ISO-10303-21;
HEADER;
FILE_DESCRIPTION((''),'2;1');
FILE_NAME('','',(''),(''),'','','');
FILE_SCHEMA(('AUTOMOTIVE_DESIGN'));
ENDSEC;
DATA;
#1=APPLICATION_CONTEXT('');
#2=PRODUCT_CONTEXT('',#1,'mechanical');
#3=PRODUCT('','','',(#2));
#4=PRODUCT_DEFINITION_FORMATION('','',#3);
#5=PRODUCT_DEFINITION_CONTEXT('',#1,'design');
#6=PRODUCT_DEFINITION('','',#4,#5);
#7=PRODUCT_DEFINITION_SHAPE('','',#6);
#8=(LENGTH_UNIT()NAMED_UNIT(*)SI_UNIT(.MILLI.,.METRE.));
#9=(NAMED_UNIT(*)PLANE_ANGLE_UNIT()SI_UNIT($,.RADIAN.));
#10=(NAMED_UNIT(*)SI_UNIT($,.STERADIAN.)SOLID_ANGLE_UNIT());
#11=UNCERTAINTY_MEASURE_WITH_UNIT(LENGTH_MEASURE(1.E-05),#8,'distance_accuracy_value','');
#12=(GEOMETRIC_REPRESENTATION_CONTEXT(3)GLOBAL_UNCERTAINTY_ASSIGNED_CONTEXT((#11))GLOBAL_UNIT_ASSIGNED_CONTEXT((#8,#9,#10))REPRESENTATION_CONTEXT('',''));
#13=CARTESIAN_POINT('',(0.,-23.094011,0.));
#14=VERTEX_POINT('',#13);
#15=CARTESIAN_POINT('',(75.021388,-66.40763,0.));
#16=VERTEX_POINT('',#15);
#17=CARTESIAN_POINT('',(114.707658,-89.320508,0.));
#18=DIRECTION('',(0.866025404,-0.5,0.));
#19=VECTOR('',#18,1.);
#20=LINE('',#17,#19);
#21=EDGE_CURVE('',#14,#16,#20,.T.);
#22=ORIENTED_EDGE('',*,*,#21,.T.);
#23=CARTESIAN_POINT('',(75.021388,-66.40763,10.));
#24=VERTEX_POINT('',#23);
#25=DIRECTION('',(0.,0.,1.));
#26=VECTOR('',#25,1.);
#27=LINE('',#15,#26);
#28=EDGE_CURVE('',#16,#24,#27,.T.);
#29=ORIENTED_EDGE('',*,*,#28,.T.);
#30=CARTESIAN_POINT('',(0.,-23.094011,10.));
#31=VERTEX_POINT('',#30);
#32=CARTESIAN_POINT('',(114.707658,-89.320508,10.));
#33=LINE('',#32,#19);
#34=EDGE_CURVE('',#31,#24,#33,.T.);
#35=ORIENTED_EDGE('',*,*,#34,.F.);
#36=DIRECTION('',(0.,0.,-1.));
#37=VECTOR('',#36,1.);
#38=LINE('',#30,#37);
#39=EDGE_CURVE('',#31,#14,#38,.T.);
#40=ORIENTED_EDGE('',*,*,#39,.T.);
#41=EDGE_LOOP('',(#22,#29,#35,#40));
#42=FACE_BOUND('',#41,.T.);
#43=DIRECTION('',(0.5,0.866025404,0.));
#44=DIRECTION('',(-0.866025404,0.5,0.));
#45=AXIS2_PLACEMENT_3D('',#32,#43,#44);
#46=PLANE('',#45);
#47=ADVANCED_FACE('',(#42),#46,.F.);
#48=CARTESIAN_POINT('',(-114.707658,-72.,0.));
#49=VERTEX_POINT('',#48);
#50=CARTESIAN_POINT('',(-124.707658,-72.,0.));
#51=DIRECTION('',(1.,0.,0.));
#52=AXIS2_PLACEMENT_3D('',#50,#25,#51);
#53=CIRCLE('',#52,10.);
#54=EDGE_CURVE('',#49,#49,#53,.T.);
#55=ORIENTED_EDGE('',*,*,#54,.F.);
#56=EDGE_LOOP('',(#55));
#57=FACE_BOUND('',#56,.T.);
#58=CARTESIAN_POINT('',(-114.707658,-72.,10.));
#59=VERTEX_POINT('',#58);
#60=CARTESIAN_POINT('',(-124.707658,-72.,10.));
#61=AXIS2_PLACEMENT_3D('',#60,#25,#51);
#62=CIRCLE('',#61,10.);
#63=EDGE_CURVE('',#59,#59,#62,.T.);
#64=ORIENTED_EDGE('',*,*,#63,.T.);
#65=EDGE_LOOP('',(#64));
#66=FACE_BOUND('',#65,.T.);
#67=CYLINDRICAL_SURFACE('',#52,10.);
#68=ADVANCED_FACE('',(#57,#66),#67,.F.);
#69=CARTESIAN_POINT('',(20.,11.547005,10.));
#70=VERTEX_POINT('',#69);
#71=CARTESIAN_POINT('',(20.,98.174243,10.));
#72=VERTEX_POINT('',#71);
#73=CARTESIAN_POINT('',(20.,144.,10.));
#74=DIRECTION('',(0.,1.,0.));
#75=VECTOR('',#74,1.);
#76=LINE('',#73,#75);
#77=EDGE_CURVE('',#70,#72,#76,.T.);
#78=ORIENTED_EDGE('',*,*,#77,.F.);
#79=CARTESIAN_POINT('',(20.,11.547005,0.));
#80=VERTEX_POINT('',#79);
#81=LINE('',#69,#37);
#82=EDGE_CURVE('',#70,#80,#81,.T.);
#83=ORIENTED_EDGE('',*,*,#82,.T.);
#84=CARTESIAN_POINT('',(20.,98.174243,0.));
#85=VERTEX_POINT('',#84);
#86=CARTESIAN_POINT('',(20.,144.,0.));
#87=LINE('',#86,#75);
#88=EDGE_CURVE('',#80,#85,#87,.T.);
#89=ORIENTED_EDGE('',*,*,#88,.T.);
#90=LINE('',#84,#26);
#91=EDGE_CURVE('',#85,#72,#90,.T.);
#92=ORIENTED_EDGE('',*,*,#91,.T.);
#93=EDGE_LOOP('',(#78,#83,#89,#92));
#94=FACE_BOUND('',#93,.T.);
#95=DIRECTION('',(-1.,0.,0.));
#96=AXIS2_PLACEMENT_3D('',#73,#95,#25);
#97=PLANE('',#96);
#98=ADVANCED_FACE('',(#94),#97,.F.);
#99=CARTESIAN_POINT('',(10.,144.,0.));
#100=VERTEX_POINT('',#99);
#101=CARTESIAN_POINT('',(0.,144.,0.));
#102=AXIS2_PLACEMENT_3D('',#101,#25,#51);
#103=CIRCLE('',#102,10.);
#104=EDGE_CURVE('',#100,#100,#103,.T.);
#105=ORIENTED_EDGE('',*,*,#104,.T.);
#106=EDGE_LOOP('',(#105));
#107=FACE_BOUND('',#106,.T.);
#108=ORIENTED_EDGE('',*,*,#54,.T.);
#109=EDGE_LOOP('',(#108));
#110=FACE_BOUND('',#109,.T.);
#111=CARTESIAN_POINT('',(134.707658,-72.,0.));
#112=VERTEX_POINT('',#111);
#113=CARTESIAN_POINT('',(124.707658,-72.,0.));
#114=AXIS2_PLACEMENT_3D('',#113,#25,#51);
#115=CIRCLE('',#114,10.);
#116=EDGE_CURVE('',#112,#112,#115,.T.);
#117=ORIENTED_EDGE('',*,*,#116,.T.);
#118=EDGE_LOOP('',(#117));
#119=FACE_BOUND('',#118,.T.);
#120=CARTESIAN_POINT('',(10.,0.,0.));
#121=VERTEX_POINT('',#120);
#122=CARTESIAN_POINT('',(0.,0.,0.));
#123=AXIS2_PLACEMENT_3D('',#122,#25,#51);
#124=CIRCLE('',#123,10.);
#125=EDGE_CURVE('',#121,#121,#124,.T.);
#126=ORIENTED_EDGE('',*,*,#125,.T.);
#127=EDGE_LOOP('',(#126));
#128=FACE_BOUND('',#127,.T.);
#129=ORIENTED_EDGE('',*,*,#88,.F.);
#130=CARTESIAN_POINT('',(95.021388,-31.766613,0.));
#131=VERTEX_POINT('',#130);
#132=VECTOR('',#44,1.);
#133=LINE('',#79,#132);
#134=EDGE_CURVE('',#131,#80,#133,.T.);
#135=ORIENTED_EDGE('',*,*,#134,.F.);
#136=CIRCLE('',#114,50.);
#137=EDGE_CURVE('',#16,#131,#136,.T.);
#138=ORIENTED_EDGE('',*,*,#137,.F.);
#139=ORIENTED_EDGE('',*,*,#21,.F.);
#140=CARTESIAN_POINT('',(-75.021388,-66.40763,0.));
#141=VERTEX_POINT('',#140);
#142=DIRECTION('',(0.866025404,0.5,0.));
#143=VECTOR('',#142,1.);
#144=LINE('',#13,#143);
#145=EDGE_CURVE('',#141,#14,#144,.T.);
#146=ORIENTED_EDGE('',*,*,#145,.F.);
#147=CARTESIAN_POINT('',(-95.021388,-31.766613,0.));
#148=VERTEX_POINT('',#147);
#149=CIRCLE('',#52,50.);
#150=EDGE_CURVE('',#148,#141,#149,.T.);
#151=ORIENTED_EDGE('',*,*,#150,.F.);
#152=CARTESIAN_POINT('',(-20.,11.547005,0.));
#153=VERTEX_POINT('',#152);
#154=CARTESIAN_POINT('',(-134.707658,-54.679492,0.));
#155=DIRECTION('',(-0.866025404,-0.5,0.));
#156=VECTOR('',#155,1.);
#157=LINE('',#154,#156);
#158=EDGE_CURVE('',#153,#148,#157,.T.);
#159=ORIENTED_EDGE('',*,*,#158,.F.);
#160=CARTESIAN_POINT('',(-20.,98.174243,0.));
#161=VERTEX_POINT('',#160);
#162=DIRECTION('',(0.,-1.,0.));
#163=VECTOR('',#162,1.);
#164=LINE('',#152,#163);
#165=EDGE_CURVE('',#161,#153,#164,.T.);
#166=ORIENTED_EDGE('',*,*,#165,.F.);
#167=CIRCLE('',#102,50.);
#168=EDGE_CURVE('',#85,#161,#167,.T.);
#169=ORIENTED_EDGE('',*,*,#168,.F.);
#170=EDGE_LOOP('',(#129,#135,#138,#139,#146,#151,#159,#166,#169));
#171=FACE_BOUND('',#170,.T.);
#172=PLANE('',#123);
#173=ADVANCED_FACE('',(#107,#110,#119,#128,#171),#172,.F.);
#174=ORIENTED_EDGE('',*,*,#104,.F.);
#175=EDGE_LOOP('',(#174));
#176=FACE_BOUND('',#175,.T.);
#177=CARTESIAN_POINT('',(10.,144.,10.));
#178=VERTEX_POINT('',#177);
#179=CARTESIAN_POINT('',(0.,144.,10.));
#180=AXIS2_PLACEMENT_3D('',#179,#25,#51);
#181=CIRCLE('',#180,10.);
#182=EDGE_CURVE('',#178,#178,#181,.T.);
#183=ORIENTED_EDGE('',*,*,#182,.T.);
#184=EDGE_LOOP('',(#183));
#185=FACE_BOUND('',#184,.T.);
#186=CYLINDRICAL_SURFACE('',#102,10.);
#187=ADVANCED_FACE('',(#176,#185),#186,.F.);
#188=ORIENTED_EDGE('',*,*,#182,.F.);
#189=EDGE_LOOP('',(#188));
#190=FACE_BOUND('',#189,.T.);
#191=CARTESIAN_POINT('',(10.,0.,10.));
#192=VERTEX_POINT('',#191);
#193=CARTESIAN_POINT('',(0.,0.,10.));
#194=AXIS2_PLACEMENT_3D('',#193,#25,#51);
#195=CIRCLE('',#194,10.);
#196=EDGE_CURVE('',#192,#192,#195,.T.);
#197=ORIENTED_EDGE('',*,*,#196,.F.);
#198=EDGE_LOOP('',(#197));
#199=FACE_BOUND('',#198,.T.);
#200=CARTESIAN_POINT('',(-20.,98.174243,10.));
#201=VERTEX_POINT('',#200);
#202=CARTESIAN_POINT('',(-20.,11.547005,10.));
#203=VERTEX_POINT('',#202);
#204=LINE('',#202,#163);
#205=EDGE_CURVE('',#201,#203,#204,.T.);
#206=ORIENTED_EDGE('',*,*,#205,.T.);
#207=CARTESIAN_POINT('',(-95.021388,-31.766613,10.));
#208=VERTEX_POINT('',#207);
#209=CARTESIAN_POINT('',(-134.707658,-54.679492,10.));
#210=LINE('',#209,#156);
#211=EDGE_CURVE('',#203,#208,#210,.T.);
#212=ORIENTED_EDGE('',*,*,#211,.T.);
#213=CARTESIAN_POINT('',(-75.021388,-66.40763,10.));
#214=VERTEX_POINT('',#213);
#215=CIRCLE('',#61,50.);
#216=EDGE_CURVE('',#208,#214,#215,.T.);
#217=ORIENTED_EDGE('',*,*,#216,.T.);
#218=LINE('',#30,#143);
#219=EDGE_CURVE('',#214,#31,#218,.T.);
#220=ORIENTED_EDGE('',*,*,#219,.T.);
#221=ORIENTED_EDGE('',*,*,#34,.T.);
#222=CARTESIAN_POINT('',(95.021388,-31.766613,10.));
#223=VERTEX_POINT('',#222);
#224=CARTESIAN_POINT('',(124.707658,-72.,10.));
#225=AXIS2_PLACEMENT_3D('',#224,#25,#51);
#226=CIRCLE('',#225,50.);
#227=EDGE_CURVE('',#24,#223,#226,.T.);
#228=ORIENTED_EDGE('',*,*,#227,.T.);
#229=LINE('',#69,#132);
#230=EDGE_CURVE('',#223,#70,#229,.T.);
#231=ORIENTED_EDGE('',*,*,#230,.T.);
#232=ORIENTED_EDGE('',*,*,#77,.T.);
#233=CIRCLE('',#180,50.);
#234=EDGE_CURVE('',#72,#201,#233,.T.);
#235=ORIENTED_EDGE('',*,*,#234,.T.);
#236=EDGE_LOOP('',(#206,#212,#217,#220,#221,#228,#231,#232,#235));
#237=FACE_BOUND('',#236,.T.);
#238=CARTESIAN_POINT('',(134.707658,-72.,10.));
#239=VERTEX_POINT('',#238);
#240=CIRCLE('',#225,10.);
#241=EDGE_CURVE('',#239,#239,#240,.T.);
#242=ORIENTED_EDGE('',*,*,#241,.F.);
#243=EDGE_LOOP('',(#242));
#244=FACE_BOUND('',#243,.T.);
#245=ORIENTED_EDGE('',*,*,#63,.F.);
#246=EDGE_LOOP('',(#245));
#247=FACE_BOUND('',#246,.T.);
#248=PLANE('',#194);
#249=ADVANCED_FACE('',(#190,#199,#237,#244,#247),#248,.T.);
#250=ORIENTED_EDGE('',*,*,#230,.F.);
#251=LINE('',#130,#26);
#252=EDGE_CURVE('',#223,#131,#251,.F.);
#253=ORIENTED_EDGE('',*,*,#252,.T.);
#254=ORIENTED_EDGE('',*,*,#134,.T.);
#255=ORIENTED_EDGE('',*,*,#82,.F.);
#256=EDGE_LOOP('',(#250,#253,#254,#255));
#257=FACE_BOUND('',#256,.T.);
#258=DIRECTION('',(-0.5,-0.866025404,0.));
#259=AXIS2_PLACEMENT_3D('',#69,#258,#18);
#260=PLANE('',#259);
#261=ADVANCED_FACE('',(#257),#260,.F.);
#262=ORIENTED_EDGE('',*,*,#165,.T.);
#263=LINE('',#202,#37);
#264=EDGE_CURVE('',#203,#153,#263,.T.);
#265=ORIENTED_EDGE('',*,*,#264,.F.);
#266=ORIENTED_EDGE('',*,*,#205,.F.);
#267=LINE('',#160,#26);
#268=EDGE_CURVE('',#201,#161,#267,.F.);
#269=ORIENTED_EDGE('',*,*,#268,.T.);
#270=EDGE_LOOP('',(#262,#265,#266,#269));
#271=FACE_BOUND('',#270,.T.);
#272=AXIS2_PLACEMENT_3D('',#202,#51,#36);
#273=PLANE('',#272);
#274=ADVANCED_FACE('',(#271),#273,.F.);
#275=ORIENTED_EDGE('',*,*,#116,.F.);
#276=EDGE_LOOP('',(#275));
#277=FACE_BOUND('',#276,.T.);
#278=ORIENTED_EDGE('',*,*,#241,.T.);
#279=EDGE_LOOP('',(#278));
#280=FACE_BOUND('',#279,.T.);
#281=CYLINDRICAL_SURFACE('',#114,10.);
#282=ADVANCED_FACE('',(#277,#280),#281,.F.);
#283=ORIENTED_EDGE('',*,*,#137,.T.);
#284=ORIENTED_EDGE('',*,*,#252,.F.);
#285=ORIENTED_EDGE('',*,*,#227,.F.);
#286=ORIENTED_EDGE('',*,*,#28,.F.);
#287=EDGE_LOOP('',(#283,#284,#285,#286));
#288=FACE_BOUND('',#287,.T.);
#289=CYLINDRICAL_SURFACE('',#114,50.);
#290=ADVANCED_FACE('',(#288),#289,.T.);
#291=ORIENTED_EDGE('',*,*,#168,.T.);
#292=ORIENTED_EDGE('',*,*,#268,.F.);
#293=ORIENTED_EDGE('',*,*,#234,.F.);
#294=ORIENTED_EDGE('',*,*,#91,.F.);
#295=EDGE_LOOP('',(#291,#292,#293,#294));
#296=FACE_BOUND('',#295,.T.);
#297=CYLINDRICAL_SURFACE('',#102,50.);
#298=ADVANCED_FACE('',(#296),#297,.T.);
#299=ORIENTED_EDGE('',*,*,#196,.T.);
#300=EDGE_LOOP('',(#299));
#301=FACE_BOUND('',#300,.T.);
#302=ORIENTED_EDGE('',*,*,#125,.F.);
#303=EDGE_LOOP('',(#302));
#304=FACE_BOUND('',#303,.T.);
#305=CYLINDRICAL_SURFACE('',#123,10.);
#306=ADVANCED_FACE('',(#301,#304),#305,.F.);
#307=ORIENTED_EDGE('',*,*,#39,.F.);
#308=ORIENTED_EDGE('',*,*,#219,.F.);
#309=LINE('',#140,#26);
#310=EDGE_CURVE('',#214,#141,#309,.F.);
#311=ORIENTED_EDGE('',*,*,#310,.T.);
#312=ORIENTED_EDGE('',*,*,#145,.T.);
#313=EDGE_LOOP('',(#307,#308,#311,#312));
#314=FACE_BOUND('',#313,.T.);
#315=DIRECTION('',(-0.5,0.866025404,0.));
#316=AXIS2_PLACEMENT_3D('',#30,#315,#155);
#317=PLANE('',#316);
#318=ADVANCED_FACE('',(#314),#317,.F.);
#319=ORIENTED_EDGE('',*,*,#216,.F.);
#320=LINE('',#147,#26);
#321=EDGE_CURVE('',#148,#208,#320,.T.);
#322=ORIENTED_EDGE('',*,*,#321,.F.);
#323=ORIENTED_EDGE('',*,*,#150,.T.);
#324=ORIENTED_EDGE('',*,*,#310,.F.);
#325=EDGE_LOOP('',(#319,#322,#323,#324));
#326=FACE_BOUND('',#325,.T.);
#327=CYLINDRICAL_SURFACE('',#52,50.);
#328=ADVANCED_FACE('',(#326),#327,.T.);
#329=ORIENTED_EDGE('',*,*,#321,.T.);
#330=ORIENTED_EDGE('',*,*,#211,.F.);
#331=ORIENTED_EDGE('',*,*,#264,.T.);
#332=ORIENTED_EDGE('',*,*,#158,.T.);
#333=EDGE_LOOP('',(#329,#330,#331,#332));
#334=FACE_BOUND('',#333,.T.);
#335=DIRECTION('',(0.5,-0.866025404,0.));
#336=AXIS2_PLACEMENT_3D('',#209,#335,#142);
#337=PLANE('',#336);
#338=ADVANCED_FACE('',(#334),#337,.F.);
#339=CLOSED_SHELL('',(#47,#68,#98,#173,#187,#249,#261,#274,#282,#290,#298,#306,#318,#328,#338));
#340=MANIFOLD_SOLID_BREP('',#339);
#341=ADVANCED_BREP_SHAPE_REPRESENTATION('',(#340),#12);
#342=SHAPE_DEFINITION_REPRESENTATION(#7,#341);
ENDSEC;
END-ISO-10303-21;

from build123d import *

# Parameters (mm, degrees)
BOSS_EXTRUDE2_DEPTH = 10
SKETCH3_R           = 50
BOSS_EXTRUDE3_DEPTH = 10
SKETCH4_R           = 10
BOSS_EXTRUDE4_DEPTH = 90
CUT_EXTRUDE1_START  = -30
SKETCH5_R           = 10
CUT_EXTRUDE1_DEPTH  = 30
SKETCH6_R           = 13
CUT_EXTRUDE2_DEPTH  = 10
SKETCH7_R           = 10
BOSS_EXTRUDE5_DEPTH = 30
SKETCH8_R           = 20.369169003
BOSS_EXTRUDE6_DEPTH = 10
CUT_EXTRUDE3_START  = -100
SKETCH9_R           = 10
CUT_EXTRUDE3_DEPTH  = 100
SKETCH10_R          = 10
CUT_EXTRUDE4_DEPTH  = 10


with BuildPart() as part:
    # Sketch1 → Boss-Extrude2 (new body)
    with BuildSketch(Plane.XY):
        Polygon((20, 144), (-20, 144), (-20, 11.547005384), (-134.707658145, -54.679491924), (-114.707658145, -89.320508076), (0, -23.094010768), (114.707658145, -89.320508076), (134.707658145, -54.679491924), (20, 11.547005384), align=None)
    extrude(amount=BOSS_EXTRUDE2_DEPTH)

    # Sketch3 → Boss-Extrude3 (add)
    with BuildSketch(Plane.XY.offset(10)):
        with Locations((-124.707658145, -72)):
            Circle(SKETCH3_R)
        with Locations((0, 144)):
            Circle(SKETCH3_R)
        with Locations((124.707658145, -72)):
            Circle(SKETCH3_R)
    extrude(amount=-BOSS_EXTRUDE3_DEPTH)

    # Sketch4 → Boss-Extrude4 (add)
    with BuildSketch(Plane.XY.offset(10)):
        with Locations(Location((0, 144, 0), (0, 0, 180))):
            Circle(SKETCH4_R)
        with Locations(Location((124.707658145, -72, 0), (0, 0, 180))):
            Circle(SKETCH4_R)
        with Locations(Location((-124.707658145, -72, 0), (0, 0, 180))):
            Circle(SKETCH4_R)
    extrude(amount=BOSS_EXTRUDE4_DEPTH)

    # Sketch5 → Cut-Extrude1 (cut)
    with BuildSketch(Plane.XY.offset(100).offset(CUT_EXTRUDE1_START)):
        with Locations(Location((0, 144, 0), (0, 0, 180))):
            Circle(SKETCH5_R)
    extrude(amount=CUT_EXTRUDE1_DEPTH, mode=Mode.SUBTRACT)

    # Sketch6 → Cut-Extrude2 (cut)
    with BuildSketch(Plane.XY.offset(10)):
        Circle(SKETCH6_R)
    extrude(amount=-CUT_EXTRUDE2_DEPTH, mode=Mode.SUBTRACT)

    # Sketch7 → Boss-Extrude5 (add)
    with BuildSketch(Plane.XY.offset(70)):
        with Locations(Location((0, 144, 0), (0, 0, 180))):
            Circle(SKETCH7_R)
    extrude(amount=BOSS_EXTRUDE5_DEPTH)

    # Sketch8 → Boss-Extrude6 (add)
    with BuildSketch(Plane.XY.offset(10)):
        Circle(SKETCH8_R)
    extrude(amount=-BOSS_EXTRUDE6_DEPTH)

    # Sketch9 → Cut-Extrude3 (cut)
    with BuildSketch(Plane.XY.offset(100).offset(CUT_EXTRUDE3_START)):
        with Locations((-124.707658145, -72)):
            Circle(SKETCH9_R)
        with Locations((0, 144)):
            Circle(SKETCH9_R)
        with Locations((124.707658145, -72)):
            Circle(SKETCH9_R)
    extrude(amount=CUT_EXTRUDE3_DEPTH, mode=Mode.SUBTRACT)

    # Sketch10 → Cut-Extrude4 (cut)
    with BuildSketch(Plane.XY.offset(10)):
        Circle(SKETCH10_R)
    extrude(amount=-CUT_EXTRUDE4_DEPTH, mode=Mode.SUBTRACT)


solid = part.part
